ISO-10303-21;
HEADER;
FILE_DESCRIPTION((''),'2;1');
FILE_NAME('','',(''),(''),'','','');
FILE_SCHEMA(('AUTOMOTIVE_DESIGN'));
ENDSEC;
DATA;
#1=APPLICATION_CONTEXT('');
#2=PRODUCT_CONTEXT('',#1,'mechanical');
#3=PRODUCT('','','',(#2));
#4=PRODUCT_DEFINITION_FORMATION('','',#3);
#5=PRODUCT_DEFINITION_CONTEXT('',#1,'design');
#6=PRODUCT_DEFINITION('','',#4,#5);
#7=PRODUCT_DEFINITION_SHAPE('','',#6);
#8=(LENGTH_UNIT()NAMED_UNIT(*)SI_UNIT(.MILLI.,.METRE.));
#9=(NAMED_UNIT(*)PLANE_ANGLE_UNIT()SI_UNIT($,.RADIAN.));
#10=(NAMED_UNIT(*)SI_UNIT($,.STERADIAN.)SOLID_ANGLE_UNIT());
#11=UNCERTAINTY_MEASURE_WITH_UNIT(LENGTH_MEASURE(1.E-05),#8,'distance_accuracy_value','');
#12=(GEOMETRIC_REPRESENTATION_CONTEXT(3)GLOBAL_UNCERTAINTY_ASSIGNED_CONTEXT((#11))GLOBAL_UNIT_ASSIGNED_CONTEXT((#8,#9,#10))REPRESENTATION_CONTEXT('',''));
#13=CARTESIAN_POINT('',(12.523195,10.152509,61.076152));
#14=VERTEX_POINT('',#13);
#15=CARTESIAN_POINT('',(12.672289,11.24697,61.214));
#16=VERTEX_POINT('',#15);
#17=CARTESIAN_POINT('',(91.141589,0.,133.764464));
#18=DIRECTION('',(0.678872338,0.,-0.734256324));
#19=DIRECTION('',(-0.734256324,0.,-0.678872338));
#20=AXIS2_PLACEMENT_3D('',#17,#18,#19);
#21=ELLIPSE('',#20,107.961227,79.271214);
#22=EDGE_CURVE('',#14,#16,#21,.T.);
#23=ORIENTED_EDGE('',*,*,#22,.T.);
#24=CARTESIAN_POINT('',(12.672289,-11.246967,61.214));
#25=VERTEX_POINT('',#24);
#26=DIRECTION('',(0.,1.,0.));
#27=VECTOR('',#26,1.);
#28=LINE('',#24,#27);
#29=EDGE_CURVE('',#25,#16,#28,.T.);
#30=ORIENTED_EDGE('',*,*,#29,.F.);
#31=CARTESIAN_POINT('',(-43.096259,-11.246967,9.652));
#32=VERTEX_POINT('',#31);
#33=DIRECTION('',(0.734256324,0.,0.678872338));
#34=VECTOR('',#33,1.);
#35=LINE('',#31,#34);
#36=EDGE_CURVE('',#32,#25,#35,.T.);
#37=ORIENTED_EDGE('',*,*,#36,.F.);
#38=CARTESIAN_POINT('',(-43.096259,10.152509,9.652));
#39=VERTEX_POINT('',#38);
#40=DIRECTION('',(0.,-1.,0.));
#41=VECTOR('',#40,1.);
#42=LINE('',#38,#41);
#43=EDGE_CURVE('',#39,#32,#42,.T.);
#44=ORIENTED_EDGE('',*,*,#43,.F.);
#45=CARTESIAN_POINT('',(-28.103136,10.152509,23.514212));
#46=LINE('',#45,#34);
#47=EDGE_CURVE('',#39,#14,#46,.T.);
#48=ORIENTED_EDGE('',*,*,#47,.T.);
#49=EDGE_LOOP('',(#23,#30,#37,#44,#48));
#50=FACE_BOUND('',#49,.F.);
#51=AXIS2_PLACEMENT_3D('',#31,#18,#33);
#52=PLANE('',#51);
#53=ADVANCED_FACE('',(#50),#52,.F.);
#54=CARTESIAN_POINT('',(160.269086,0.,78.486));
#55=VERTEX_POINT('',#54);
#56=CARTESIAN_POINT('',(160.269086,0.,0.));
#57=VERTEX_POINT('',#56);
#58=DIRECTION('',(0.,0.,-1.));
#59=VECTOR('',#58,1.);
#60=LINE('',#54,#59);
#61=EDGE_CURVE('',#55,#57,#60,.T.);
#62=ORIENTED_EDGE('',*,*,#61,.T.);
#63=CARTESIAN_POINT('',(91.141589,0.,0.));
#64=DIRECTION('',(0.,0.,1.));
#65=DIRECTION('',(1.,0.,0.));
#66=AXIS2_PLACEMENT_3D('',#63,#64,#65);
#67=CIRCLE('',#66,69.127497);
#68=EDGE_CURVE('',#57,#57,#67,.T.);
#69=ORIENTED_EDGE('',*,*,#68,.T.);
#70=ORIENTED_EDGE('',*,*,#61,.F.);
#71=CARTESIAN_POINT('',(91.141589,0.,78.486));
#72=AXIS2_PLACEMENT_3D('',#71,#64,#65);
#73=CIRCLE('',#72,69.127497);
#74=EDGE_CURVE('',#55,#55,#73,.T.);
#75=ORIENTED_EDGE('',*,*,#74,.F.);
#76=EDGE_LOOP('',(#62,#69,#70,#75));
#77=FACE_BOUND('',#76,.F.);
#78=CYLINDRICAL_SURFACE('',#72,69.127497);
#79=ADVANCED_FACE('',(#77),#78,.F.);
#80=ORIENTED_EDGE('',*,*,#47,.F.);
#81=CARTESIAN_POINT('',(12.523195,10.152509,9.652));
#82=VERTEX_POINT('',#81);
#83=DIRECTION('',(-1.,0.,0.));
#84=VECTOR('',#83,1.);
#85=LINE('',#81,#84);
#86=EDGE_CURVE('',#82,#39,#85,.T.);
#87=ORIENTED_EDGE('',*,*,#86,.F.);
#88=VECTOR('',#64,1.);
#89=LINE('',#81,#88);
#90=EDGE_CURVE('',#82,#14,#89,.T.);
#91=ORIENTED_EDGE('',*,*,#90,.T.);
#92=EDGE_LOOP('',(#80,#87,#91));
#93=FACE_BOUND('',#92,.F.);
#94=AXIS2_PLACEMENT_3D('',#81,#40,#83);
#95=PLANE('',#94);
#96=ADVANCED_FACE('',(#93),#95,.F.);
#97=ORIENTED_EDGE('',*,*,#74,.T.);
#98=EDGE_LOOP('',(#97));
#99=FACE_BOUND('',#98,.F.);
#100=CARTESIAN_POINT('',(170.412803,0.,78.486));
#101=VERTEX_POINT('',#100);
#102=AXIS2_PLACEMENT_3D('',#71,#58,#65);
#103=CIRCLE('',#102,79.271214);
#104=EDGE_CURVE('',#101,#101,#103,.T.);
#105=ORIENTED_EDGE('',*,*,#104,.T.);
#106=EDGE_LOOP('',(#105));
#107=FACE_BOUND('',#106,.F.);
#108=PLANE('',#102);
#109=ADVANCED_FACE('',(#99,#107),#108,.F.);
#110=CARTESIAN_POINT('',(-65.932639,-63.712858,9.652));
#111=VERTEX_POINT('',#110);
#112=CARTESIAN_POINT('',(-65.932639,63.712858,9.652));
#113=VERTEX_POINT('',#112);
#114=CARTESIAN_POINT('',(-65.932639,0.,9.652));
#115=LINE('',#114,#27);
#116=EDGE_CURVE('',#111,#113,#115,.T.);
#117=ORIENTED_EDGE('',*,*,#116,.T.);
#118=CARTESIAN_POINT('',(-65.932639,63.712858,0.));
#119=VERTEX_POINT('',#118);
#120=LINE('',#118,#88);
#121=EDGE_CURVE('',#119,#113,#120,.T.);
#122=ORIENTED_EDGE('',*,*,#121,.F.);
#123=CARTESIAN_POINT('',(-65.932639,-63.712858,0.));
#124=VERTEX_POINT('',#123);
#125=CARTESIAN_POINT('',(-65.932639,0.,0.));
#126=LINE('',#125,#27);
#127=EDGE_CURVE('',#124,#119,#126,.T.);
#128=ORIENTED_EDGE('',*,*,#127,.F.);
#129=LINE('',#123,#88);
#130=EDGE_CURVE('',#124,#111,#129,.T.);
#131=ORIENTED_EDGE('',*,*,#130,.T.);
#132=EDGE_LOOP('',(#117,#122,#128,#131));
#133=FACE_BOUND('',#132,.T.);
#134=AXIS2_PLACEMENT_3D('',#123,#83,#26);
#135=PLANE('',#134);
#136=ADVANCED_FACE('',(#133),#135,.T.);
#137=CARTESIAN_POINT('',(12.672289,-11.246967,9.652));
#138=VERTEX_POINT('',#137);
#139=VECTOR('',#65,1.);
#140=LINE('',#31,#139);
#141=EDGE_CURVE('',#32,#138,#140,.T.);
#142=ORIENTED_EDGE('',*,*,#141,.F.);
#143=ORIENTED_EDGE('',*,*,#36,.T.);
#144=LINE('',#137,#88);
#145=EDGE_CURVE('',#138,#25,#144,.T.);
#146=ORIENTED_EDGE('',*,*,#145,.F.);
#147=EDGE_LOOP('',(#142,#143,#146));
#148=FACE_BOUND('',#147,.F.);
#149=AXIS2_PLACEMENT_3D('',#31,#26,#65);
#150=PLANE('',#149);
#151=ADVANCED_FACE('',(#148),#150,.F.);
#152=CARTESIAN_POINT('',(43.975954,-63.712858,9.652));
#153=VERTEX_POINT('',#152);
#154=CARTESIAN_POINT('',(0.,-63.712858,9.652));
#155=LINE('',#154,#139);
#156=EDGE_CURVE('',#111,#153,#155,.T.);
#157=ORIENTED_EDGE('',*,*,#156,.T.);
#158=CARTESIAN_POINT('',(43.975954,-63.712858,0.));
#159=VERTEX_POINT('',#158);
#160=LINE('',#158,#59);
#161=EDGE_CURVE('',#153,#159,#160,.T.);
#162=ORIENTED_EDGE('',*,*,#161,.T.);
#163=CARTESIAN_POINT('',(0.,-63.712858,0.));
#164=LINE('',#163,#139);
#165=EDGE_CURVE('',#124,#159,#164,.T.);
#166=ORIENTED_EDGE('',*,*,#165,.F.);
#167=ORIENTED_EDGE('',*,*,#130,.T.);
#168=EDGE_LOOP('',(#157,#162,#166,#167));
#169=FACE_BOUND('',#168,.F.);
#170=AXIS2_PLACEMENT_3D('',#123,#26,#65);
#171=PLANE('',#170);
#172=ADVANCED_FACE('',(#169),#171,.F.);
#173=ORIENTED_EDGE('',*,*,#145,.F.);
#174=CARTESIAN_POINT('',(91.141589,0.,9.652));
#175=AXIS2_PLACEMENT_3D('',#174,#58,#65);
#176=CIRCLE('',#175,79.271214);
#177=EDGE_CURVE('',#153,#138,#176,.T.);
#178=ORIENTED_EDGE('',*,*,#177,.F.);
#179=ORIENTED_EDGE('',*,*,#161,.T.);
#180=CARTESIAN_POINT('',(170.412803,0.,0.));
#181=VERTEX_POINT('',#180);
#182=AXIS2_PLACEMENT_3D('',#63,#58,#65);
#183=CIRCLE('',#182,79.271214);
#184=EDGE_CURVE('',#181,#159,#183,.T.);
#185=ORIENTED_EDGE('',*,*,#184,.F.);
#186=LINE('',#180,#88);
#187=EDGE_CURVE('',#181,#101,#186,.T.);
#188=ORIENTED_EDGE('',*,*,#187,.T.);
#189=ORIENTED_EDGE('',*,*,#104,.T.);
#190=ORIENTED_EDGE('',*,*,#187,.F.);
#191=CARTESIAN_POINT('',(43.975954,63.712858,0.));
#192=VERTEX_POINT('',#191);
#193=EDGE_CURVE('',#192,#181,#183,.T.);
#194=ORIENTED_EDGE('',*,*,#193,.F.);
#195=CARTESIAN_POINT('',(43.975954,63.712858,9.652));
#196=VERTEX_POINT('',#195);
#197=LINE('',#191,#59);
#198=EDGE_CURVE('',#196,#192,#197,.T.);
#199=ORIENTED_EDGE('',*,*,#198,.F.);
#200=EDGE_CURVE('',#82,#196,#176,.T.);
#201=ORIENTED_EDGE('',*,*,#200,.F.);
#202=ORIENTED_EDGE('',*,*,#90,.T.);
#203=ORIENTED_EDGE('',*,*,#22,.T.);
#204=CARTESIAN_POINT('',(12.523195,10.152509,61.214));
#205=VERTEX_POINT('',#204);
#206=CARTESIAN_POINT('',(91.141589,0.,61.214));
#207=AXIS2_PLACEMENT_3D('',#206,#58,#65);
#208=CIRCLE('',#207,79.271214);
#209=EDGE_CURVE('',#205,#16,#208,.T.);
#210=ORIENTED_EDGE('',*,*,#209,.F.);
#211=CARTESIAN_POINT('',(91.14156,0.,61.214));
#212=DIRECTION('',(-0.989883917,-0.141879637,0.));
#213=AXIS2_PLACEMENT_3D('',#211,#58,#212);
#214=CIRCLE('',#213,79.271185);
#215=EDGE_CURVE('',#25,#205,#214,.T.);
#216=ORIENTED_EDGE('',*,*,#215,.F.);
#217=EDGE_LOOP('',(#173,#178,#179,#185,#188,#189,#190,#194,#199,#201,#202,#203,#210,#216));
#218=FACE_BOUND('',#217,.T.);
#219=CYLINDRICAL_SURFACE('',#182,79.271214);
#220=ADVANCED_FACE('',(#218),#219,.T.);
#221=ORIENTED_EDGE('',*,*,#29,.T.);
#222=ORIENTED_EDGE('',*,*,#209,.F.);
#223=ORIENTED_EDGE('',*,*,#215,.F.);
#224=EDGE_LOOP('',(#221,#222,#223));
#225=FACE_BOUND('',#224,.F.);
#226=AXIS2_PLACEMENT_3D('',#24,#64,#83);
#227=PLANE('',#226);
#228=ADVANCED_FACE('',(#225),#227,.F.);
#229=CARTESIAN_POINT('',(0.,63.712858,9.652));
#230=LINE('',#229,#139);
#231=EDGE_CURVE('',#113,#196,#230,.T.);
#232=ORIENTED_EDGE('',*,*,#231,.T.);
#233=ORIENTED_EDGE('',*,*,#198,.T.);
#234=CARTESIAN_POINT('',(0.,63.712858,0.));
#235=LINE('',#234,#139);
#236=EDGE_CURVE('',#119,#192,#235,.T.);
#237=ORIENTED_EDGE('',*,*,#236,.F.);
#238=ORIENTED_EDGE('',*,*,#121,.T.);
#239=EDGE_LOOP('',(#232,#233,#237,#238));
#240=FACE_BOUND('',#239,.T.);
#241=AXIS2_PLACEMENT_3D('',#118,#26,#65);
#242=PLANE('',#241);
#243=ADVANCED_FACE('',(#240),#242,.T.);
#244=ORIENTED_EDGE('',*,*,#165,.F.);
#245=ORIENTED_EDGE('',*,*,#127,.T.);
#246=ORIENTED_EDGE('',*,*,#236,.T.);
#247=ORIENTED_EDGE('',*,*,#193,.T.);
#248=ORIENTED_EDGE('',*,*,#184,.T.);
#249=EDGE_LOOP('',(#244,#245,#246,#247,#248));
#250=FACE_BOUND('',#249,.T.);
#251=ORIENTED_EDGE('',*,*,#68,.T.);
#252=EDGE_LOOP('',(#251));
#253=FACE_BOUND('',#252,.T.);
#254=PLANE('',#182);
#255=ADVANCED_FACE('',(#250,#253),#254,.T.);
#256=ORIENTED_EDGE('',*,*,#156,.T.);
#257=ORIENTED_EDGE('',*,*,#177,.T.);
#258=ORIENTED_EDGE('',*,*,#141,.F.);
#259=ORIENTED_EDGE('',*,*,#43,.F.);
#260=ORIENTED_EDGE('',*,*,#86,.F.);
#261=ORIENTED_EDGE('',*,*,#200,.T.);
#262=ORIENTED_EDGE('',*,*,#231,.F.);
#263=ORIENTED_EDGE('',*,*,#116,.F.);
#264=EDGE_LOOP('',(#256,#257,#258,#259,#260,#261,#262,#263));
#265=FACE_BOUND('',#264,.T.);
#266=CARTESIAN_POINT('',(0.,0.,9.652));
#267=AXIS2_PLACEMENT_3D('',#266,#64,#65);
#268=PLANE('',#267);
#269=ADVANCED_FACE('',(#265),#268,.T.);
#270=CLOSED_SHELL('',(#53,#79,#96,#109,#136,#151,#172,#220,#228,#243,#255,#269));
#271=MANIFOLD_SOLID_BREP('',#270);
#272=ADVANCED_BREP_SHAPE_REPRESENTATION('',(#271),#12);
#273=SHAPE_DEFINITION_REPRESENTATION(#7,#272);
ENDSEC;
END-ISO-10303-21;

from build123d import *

# Parameters (mm, degrees)
F0_W     = 131.865278
F0_H     = 127.425716
F1_DEPTH = 9.652
F2_R     = 79.271214
F3_DEPTH = 78.486
F4_R     = 69.127497
F5_DEPTH = 172.974
F7_DEPTH = 51.562
F9_DEPTH = 25.4


with BuildPart() as f1:
    # F0 (on Top) → F1 (new body)
    with BuildSketch(Plane.XY):
        Rectangle(F0_W, F0_H)
    extrude(amount=F1_DEPTH)

    # F2 (on face) → F3 (join)
    with BuildSketch(Plane(origin=(0, 0, 0), x_dir=(1, 0, 0), z_dir=(0, 0, -1))):
        with Locations((91.141589, 0)):
            Circle(F2_R)
    extrude(amount=-F3_DEPTH)

    # F4 (on face) → F5 (cut)
    with BuildSketch(Plane.XY.offset(78.486)):
        with Locations((91.141589, 0)):
            Circle(F4_R)
    extrude(amount=-F5_DEPTH, mode=Mode.SUBTRACT)

    # F6 (on face) → F7 (join)
    with BuildSketch(Plane.XY.offset(9.652)):
        with BuildLine():
            Line((-43.096259, 10.152509), (-43.096259, -11.246967))
            Line((-43.096259, -11.246967), (12.672289, -11.246967))
            ThreePointArc((12.672289, -11.246967), (11.872299, -0.552283), (12.523195, 10.152509))
            Line((12.523195, 10.152509), (-43.096259, 10.152509))
        make_face()
    extrude(amount=F7_DEPTH)

    # F8 (on face) → F9 (cut)
    with BuildSketch(Plane.XZ.offset(11.246967)):
        Polygon((-43.096259, 61.214), (-43.096259, 9.652), (12.672289, 61.214), align=None)
    extrude(amount=-F9_DEPTH, mode=Mode.SUBTRACT)


solid = f1.part
